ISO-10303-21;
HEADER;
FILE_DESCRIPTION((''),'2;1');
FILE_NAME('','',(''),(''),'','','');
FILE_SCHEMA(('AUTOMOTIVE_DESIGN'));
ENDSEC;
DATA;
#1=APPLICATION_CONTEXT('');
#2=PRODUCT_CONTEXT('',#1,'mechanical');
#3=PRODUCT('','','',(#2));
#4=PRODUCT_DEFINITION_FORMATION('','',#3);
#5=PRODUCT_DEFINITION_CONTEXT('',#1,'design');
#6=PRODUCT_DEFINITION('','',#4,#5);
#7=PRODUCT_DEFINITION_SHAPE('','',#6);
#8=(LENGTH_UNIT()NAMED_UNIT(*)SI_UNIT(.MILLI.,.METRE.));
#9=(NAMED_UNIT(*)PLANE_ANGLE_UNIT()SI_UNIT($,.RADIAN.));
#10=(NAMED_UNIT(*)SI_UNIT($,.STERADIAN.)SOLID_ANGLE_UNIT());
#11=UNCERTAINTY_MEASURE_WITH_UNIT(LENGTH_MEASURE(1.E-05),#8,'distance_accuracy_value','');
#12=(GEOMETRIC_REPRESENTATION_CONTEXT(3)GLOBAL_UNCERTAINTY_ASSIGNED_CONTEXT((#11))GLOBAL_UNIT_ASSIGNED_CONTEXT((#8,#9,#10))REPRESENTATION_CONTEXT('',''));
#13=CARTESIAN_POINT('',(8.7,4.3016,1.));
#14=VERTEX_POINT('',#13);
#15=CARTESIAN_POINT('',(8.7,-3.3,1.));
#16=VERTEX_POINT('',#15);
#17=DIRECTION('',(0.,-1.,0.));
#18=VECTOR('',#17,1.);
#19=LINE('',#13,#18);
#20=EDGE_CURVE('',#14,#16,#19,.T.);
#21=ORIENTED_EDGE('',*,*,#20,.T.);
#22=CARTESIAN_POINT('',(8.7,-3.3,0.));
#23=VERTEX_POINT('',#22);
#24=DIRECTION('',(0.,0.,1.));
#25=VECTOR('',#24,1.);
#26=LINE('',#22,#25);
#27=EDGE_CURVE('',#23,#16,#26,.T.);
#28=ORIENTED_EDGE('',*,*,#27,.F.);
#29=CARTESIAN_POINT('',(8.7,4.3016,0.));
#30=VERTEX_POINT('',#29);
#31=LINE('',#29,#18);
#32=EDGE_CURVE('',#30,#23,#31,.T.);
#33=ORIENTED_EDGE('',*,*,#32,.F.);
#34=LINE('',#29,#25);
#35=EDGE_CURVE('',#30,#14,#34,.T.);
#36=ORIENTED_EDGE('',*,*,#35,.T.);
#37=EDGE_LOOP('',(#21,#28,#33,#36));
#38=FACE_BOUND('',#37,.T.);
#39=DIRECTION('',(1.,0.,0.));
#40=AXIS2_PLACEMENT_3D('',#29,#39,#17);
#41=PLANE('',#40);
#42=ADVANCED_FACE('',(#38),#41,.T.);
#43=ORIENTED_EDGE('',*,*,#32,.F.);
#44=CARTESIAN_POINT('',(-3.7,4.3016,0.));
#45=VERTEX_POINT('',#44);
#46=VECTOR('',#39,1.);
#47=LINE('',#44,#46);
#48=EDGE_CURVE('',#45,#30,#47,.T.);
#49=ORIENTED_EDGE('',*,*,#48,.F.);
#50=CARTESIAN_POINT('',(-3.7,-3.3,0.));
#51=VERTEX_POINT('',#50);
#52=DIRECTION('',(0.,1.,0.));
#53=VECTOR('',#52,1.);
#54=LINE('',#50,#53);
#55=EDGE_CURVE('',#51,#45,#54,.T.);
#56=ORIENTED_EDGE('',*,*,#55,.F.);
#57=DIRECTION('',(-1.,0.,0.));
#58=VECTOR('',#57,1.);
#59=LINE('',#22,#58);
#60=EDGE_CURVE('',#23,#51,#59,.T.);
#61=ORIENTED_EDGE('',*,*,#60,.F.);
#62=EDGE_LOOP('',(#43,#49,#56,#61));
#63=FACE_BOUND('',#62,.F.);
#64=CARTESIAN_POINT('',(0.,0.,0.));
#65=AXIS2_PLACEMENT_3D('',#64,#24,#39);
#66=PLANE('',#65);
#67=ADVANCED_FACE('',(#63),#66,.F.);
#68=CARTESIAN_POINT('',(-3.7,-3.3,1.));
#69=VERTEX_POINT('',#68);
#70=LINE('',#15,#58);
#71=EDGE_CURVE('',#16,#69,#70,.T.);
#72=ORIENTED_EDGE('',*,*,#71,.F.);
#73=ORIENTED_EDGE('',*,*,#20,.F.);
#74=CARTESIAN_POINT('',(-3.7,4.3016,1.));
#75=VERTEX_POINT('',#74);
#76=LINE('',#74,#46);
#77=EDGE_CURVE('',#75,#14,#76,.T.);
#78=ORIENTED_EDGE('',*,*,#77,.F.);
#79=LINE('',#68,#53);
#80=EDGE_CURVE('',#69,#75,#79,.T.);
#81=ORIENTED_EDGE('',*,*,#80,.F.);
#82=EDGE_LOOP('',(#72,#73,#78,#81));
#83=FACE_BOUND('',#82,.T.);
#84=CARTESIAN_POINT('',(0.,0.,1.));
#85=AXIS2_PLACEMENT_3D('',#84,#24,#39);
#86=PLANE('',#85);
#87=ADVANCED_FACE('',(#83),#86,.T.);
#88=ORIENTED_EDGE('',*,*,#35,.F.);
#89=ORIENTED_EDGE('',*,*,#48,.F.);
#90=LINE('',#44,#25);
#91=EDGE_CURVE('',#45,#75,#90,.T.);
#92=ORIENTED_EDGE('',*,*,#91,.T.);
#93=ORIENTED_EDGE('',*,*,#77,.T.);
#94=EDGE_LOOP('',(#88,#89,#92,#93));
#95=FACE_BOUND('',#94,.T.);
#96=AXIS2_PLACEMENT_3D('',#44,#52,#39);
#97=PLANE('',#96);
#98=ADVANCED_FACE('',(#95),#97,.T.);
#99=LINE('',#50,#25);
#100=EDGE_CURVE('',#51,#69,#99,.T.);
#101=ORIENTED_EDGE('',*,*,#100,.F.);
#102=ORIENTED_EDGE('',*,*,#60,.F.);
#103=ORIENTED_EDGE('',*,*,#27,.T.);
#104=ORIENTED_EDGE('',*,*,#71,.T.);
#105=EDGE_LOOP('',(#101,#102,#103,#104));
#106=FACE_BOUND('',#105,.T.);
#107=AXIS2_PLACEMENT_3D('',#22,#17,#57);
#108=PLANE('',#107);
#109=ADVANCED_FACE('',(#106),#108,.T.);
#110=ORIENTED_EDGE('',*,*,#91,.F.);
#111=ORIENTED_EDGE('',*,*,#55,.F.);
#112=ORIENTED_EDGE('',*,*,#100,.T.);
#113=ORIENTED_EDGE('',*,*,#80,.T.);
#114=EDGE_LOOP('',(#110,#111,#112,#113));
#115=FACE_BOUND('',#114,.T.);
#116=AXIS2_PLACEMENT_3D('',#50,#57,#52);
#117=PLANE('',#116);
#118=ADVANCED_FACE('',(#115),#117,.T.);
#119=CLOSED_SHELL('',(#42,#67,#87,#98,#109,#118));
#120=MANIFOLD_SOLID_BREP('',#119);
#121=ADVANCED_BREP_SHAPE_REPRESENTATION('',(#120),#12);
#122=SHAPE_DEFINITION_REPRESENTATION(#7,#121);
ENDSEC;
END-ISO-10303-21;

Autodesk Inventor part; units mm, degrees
ref_plane "YZ Plane" through (0, 0, 0) normal (1, 0, 0) x (0, 1, 0)
ref_plane "XZ Plane" through (0, 0, 0) normal (0, 1, 0) x (-1, 0, 0)
ref_plane "XY Plane" through (0, 0, 0) normal (0, 0, 1) x (1, 0, 0)
sketch "SCREWTERMINAL-5MM-2, POW_SCREWTERMINAL-5MM-2_15" plane through (0, 0, 0) normal (0, 0, 1) x (1, 0, 0)
  line L0 (-3.7, 4.3016) -> (8.7, 4.3016)
  line L1 (8.7, 4.3016) -> (8.7, -3.3)
  line L2 (8.7, -3.3) -> (-3.7, -3.3)
  line L3 (-3.7, -3.3) -> (-3.7, 4.3016)
extrude "Extrusion1" add sketch "SCREWTERMINAL-5MM-2, POW_SCREWTERMINAL-5MM-2_15" along normal blind 1
properties part number "POW_SCREWTERMINAL-5MM-2"
